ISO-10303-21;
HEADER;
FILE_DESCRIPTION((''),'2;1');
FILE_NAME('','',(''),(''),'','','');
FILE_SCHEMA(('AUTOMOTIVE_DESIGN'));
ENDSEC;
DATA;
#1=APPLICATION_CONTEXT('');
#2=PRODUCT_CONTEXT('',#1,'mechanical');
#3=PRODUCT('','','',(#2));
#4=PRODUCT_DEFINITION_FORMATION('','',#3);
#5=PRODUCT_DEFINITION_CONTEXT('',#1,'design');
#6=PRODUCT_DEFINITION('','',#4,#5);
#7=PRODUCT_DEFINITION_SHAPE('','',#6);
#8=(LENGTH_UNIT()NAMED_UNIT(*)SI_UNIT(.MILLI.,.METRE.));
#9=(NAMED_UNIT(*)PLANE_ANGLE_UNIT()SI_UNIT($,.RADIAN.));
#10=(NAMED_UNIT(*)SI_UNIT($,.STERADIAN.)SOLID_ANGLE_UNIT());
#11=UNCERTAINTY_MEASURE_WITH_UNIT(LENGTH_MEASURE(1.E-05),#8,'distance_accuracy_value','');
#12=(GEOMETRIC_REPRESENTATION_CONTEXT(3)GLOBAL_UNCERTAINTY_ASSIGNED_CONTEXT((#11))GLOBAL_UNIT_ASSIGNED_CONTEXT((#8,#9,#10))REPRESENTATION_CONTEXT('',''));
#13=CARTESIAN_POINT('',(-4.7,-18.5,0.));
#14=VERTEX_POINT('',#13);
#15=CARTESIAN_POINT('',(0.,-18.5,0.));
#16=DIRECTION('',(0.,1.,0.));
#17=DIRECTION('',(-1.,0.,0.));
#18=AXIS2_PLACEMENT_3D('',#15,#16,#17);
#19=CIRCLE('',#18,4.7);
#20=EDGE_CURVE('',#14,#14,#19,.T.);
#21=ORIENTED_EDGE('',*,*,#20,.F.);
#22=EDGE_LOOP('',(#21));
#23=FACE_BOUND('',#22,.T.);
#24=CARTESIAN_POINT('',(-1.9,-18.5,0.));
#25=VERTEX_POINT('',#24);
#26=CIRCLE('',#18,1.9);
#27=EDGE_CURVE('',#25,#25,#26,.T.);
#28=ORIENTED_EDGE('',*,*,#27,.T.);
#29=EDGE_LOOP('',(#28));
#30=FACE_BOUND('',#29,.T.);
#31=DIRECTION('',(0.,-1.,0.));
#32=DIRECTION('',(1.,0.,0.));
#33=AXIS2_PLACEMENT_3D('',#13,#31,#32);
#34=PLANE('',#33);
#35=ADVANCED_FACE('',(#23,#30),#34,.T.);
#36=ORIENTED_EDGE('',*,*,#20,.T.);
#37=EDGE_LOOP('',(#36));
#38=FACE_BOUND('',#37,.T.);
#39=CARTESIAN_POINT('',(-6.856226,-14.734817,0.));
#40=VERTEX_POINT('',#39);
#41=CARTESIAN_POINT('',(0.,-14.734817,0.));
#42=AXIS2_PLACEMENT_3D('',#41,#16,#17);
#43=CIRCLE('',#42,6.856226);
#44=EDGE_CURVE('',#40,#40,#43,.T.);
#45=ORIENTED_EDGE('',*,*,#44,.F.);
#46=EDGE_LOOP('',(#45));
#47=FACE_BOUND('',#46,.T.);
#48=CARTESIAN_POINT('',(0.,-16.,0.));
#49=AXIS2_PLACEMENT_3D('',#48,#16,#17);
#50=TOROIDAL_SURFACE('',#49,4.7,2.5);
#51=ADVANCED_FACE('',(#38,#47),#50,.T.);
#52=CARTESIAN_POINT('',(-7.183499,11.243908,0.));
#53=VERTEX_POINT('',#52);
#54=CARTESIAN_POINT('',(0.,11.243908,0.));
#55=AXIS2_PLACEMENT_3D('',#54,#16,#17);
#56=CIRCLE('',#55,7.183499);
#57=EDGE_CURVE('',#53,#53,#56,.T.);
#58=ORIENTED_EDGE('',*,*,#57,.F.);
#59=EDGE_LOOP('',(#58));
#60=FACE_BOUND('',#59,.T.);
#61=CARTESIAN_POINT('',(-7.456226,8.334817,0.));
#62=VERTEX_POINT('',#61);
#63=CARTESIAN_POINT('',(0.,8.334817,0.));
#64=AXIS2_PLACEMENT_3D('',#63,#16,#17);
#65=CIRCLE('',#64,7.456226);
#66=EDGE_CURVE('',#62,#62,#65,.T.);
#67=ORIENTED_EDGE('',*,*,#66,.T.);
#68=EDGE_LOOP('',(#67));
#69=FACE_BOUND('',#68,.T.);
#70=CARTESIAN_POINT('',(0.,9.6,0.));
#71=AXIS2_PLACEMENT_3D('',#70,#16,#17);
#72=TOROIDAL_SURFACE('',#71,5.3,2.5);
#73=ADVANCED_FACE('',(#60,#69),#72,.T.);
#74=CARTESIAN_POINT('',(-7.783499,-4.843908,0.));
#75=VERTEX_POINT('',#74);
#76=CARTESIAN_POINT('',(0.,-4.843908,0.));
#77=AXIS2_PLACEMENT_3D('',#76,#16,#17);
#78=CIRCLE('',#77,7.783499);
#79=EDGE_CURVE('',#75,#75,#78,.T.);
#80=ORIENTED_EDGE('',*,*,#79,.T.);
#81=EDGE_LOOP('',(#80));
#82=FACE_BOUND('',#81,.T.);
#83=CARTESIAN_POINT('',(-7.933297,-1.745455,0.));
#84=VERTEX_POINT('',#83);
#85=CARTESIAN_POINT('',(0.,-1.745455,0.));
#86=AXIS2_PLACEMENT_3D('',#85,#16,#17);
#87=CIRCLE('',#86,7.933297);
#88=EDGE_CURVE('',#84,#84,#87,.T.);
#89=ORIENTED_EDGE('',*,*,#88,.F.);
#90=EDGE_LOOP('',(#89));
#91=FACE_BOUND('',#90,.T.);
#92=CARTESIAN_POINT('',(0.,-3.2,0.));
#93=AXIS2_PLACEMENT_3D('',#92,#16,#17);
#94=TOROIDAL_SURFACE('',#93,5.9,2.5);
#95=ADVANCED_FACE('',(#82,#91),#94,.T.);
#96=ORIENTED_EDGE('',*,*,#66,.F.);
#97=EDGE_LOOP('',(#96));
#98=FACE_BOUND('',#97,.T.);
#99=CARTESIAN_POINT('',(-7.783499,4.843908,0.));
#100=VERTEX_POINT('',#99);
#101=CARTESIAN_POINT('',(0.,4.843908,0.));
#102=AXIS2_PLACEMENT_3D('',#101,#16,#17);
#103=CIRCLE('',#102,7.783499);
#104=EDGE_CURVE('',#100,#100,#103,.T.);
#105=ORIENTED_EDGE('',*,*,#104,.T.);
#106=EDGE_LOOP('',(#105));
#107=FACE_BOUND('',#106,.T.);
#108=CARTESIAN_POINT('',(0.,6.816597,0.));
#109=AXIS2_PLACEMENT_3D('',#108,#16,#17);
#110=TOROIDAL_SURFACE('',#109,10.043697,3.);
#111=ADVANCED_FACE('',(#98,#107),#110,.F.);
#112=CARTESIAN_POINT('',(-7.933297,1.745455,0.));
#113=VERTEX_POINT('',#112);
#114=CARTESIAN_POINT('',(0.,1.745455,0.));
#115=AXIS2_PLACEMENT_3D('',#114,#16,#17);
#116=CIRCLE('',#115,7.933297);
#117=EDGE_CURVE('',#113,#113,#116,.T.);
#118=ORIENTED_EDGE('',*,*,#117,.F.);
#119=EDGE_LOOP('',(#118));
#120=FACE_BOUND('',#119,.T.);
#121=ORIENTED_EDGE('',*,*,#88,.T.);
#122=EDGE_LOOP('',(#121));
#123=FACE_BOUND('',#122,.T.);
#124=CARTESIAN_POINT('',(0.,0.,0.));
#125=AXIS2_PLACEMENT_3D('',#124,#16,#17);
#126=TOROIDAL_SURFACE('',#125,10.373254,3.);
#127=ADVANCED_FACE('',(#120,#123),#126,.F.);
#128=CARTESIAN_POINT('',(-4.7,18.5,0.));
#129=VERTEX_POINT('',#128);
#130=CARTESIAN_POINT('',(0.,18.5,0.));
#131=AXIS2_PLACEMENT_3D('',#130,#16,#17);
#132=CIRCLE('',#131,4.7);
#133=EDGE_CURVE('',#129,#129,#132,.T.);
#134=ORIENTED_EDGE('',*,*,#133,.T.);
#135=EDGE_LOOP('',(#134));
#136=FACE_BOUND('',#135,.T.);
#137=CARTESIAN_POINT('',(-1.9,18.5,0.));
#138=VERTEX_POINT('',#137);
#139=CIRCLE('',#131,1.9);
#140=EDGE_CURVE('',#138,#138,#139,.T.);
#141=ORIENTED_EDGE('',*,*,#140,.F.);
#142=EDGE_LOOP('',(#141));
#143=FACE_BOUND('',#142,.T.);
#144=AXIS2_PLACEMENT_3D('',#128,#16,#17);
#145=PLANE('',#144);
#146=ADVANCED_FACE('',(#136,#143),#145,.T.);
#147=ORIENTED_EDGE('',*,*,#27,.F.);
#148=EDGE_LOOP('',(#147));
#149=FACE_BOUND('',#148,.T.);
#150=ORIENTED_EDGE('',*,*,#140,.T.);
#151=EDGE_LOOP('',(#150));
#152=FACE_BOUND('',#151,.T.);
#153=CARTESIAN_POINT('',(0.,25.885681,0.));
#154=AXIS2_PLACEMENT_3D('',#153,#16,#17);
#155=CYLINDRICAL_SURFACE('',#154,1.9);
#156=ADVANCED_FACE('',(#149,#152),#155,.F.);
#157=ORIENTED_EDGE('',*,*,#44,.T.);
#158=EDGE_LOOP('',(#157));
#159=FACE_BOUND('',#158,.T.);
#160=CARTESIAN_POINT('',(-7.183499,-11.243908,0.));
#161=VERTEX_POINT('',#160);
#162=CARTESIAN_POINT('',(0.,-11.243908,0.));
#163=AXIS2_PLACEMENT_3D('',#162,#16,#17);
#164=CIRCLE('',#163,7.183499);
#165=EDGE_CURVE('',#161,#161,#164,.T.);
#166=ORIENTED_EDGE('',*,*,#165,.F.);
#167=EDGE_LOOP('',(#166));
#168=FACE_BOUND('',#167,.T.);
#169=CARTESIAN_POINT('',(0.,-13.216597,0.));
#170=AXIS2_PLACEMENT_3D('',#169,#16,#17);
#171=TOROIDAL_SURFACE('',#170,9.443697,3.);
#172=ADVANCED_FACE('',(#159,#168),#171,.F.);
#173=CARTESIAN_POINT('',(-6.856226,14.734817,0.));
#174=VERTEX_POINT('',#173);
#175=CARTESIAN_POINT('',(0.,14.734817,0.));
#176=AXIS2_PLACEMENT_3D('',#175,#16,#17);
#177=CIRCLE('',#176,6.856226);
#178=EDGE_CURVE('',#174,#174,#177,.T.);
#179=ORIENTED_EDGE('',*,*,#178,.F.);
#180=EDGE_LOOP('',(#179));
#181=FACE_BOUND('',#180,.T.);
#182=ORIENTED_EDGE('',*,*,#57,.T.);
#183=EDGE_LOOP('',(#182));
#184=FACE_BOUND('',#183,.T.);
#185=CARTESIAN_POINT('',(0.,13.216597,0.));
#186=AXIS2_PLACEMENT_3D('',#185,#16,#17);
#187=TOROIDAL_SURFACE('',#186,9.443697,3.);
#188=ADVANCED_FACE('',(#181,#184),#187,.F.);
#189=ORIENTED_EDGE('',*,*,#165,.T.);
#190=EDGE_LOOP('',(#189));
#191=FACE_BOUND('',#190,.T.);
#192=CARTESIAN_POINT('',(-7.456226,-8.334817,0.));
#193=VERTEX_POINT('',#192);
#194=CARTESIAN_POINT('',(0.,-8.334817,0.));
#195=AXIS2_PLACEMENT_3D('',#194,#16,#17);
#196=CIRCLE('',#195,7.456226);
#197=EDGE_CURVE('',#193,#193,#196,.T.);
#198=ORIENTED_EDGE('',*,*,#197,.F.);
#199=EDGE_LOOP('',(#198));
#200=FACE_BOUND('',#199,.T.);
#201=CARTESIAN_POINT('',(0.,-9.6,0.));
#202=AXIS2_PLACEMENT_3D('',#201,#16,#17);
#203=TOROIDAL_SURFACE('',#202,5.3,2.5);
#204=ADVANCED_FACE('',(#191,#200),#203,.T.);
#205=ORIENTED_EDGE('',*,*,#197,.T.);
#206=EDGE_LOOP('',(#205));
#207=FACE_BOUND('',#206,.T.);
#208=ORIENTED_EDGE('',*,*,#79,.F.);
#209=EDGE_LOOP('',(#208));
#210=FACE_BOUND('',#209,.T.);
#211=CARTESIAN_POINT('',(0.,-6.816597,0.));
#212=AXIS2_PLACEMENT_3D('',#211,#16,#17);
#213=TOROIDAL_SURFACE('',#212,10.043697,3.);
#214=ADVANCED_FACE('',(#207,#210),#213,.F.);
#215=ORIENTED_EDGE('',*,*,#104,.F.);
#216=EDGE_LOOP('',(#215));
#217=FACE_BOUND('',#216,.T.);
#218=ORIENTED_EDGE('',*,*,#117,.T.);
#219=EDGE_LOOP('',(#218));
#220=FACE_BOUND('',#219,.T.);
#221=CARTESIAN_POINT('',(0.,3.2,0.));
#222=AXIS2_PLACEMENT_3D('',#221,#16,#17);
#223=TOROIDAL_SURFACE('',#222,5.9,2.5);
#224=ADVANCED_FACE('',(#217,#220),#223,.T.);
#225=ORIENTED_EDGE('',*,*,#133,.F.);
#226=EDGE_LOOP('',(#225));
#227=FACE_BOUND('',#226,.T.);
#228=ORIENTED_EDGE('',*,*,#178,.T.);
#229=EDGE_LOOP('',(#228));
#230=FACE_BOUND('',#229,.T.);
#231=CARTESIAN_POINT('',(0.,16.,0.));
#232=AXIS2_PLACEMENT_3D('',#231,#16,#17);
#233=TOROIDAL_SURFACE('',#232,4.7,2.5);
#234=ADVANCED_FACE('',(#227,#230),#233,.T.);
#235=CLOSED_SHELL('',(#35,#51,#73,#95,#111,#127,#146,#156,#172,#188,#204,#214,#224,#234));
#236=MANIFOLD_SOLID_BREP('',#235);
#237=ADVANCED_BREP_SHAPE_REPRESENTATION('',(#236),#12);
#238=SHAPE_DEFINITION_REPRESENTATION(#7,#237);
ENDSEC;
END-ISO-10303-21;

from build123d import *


with BuildPart() as part:
    # Çizim1 → Döndür1 (revolve)
    with BuildSketch(Plane.XY):
        with BuildLine():
            Line((-4.7, 18.5), (-1.9, 18.5))
            Line((-1.9, 18.5), (-1.9, -18.5))
            Line((-1.9, -18.5), (-4.7, -18.5))
            ThreePointArc((-4.7, -18.5), (-6.869442136, -17.242385132), (-6.856226125, -14.734816654))
            ThreePointArc((-6.856226125, -14.734816654), (-6.456794796, -12.936574512), (-7.183498852, -11.243907563))
            ThreePointArc((-7.183498852, -11.243907563), (-7.789085565, -9.833351772), (-7.456226125, -8.334816654))
            ThreePointArc((-7.456226125, -8.334816654), (-7.056794796, -6.536574512), (-7.783498852, -4.843907563))
            ThreePointArc((-7.783498852, -4.843907563), (-8.397083421, -3.320724433), (-7.933297204, -1.745454545))
            ThreePointArc((-7.933297204, -1.745454545), (-7.373253849, 0), (-7.933297204, 1.745454545))
            ThreePointArc((-7.933297204, 1.745454545), (-8.397083421, 3.320724433), (-7.783498852, 4.843907563))
            ThreePointArc((-7.783498852, 4.843907563), (-7.056794796, 6.536574512), (-7.456226125, 8.334816654))
            ThreePointArc((-7.456226125, 8.334816654), (-7.789085565, 9.833351772), (-7.183498852, 11.243907563))
            ThreePointArc((-7.183498852, 11.243907563), (-6.456794796, 12.936574512), (-6.856226125, 14.734816654))
            ThreePointArc((-6.856226125, 14.734816654), (-6.869442136, 17.242385132), (-4.7, 18.5))
        make_face()
    revolve(axis=Axis((0, 25.885681486, 0), (0, -1, 0)))


solid = part.part
